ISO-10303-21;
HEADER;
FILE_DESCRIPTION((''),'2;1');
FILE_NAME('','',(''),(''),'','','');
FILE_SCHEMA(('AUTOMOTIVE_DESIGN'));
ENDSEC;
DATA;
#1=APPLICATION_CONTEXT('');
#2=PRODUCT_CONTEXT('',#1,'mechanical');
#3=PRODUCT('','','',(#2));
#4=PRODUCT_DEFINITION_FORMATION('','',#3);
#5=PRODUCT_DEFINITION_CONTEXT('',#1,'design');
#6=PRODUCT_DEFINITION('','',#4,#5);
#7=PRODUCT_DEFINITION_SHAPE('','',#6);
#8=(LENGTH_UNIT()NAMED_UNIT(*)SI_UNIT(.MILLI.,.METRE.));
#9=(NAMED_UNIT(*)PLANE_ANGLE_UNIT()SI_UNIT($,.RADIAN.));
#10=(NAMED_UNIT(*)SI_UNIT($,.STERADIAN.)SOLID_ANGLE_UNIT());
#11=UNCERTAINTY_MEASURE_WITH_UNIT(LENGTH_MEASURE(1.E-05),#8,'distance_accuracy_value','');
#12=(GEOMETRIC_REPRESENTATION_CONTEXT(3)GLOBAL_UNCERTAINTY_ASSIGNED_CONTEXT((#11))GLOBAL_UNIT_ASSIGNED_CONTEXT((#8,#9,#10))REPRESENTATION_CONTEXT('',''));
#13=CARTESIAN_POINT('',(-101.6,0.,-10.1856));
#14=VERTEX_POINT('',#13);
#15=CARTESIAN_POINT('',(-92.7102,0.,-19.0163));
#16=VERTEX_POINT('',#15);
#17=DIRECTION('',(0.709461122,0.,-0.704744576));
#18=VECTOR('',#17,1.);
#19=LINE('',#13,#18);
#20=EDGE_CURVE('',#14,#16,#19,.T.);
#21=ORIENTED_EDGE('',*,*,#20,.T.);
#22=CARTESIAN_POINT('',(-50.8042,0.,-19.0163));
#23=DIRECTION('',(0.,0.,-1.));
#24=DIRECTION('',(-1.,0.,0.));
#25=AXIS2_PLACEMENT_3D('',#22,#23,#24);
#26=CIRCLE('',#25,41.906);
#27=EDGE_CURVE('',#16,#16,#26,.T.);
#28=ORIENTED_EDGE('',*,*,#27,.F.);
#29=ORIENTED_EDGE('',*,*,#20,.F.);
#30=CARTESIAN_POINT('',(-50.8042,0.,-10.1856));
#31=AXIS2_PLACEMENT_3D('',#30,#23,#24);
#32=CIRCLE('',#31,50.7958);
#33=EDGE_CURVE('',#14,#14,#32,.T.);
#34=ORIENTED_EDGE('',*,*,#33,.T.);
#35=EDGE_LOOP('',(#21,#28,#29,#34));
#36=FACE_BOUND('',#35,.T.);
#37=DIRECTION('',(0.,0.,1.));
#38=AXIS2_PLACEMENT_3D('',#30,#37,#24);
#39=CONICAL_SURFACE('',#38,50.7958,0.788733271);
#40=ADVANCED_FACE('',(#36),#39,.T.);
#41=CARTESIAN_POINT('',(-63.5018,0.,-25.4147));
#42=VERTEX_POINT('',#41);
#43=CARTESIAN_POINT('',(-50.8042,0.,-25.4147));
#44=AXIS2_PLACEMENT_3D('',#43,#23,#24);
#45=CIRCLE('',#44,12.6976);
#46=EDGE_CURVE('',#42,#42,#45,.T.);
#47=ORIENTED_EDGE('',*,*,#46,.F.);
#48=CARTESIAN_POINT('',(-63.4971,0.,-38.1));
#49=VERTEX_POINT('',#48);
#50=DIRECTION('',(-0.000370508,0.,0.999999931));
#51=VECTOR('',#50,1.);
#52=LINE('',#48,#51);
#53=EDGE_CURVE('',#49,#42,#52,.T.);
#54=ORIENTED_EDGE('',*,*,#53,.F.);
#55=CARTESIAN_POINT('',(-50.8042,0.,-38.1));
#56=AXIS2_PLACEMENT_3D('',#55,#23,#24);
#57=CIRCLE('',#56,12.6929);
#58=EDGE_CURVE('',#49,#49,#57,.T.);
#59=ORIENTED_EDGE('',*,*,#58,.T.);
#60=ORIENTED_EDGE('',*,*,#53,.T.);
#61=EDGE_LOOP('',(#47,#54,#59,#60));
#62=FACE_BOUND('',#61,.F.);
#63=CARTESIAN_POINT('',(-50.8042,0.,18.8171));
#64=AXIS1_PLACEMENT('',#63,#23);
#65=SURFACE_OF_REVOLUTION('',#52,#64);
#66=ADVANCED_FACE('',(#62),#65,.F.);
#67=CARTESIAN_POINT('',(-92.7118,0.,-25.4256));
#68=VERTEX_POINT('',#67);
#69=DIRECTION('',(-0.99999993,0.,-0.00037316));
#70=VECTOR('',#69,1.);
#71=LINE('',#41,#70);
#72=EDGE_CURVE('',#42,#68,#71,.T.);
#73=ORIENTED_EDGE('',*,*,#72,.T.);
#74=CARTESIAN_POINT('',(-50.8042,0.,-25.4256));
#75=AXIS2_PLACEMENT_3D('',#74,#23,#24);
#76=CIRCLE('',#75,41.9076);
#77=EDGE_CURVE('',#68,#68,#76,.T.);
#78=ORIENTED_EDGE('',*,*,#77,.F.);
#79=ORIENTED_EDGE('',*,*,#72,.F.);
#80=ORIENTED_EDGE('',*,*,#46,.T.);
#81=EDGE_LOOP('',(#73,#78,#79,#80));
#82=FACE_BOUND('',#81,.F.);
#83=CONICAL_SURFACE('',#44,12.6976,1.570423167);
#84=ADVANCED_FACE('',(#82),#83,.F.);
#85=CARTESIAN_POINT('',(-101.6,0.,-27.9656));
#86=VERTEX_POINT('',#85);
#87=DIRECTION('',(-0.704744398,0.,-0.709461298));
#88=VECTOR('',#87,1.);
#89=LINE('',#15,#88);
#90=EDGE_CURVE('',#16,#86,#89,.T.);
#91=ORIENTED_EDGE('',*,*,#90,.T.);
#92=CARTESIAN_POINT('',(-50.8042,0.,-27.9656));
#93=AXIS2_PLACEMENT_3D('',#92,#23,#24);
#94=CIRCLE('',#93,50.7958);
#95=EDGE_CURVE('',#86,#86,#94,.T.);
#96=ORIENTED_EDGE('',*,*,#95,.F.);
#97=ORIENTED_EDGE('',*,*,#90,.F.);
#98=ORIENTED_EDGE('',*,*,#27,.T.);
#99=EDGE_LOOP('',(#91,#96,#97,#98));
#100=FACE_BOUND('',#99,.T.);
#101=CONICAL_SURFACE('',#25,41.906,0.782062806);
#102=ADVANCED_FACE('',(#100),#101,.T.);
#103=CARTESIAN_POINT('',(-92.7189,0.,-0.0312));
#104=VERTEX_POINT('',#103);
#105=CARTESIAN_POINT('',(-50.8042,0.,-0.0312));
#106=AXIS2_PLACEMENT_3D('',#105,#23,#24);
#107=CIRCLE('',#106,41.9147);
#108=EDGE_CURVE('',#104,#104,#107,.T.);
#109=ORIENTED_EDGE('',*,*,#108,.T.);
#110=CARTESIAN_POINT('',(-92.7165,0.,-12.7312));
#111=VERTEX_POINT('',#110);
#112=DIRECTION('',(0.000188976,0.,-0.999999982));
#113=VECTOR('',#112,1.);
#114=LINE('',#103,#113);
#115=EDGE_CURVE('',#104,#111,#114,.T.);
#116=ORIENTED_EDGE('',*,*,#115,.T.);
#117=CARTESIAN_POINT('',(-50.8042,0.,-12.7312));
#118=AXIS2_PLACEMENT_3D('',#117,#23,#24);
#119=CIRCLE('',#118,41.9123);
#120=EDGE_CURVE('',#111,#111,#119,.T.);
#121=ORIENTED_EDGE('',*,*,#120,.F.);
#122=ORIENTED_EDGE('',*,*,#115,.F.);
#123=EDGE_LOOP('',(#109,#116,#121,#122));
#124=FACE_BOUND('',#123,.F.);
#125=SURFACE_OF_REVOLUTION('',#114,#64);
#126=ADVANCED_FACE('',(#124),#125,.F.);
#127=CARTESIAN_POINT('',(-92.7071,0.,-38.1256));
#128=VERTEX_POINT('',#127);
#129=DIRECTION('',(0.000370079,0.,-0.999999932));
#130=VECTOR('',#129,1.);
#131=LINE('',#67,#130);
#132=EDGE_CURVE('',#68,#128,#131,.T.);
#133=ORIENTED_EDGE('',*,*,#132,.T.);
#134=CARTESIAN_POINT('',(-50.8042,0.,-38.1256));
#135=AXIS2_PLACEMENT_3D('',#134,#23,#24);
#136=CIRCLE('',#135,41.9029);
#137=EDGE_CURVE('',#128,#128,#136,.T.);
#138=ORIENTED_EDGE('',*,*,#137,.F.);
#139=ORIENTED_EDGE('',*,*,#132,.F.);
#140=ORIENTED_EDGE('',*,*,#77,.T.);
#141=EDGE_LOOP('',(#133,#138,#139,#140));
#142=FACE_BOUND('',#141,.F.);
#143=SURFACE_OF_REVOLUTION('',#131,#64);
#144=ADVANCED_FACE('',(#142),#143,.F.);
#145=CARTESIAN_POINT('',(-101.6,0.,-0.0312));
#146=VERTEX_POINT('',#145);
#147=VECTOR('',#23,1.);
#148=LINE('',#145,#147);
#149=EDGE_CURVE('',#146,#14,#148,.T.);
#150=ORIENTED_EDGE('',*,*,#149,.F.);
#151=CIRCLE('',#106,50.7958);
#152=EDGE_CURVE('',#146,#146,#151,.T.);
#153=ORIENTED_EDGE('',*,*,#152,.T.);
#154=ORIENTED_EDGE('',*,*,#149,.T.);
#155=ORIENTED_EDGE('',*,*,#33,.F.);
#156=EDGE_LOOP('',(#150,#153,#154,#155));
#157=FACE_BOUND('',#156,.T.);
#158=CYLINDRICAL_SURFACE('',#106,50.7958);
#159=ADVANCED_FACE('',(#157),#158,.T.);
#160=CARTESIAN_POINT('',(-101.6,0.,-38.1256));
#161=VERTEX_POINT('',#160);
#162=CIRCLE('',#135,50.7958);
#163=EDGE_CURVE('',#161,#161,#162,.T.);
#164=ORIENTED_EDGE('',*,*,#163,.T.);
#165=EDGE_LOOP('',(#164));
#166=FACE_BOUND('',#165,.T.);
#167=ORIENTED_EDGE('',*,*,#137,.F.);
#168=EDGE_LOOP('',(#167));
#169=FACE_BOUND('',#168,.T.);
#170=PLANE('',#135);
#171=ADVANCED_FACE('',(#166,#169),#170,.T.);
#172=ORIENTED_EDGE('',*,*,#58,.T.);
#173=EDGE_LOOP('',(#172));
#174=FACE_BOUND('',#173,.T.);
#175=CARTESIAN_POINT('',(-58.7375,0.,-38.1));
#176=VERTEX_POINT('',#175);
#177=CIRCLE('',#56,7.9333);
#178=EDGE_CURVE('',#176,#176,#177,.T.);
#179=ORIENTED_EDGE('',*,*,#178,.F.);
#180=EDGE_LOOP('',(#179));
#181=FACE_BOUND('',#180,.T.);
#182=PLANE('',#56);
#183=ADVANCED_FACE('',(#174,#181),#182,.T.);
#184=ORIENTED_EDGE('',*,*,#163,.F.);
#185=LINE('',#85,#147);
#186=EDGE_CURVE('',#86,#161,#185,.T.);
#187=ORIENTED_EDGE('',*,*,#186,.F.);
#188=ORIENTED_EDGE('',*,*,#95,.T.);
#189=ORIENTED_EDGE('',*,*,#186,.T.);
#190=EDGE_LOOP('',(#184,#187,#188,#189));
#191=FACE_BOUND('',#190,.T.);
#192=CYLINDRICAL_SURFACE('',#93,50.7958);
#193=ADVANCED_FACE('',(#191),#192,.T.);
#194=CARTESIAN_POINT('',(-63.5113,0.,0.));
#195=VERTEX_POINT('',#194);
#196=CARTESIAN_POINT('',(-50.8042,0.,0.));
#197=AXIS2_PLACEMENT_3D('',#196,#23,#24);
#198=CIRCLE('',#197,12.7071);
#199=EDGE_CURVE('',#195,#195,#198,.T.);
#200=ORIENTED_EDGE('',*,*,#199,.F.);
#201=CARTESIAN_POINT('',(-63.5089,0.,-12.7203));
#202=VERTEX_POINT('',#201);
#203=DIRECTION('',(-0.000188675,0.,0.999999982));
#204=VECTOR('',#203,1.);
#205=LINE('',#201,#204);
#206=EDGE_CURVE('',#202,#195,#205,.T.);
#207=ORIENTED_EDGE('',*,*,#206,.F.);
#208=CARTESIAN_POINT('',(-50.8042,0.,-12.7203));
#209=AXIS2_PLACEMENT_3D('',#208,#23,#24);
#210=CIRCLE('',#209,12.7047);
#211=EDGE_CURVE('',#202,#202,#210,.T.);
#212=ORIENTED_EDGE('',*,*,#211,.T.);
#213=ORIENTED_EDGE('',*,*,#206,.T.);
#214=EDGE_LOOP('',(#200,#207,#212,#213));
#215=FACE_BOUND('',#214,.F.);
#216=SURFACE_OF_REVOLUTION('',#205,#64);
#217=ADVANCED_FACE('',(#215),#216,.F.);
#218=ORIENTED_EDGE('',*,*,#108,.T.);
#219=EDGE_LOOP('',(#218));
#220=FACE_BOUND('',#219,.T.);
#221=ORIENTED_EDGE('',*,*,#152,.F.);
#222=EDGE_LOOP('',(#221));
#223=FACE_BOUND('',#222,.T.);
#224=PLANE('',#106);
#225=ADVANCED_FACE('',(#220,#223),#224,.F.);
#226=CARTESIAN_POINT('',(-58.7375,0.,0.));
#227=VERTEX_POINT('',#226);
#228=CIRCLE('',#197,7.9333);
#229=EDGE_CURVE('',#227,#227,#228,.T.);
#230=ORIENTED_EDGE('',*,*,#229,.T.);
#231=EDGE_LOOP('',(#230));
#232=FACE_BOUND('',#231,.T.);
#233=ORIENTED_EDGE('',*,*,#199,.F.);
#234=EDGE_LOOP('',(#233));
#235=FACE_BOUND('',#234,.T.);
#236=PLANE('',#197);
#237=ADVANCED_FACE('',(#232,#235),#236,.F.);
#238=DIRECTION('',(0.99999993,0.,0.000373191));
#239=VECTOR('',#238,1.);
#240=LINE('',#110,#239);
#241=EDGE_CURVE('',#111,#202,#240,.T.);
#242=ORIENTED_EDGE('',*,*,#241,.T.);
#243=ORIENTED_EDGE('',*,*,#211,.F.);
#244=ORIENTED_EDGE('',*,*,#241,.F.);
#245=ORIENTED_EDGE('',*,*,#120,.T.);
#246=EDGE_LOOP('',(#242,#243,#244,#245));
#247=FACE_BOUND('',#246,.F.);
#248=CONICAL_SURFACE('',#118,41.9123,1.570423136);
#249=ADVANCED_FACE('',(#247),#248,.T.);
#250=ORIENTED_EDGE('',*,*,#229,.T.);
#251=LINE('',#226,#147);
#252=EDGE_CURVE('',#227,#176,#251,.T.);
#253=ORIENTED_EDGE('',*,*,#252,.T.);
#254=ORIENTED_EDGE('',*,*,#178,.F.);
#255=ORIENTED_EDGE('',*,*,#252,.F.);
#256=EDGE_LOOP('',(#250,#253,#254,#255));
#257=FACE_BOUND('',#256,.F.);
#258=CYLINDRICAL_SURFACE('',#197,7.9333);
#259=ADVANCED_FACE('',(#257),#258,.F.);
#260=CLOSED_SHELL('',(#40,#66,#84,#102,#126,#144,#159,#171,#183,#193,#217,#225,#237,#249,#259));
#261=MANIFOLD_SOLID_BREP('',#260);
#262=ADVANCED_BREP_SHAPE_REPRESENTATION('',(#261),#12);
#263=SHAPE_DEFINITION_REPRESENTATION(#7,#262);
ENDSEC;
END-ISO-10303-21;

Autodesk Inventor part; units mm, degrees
ref_plane "YZ Plane" through (0, 0, 0) normal (1, 0, 0) x (0, 1, 0)
ref_plane "XZ Plane" through (0, 0, 0) normal (0, 1, 0) x (-1, 0, 0)
ref_plane "XY Plane" through (0, 0, 0) normal (0, 0, 1) x (1, 0, 0)
sketch "Sketch1" plane through (0, 0, 0) normal (0, 1, 0) x (-1, 0, 0)
  line L0 (58.7375, 0) -> (58.7375, -38.1)
  line L1 (63.4971, -38.1) -> (63.5018, -25.4147)
  line L2 (63.5018, -25.4147) -> (92.7118, -25.4256)
  line L3 (92.7118, -25.4256) -> (92.7071, -38.1256)
  line L4 (92.7189, -0.0312) -> (92.7165, -12.7312)
  line L5 (92.7165, -12.7312) -> (63.5089, -12.7203)
  line L6 (63.5089, -12.7203) -> (63.5113, 0)
  line L7 (101.6, -10.1856) -> (92.7102, -19.0163)
  line L8 (92.7102, -19.0163) -> (101.6, -27.9656)
  line L9 (101.6, -38.1256) -> (92.7071, -38.1256)
  line L10 (63.4971, -38.1) -> (58.7375, -38.1)
  line L11 (58.7375, 0) -> (63.5113, 0)
  line L12 (92.7189, -0.0312) -> (101.6, -0.0312)
  line L13 (101.6, -0.0312) -> (101.6, -10.1856)
  line L14 (101.6, -27.9656) -> (101.6, -38.1256)
  line L15 (50.8042, 18.8171) -> (50.8042, -69.5336)
  point P0 (0, 0)
  point P1 (50.8042, -19.04)
  dimension "d8" = 41.91
  dimension "d9" = 12.7
  dimension "d15" = 90
revolve "Revolution1" add sketch "Sketch1" angle 360 about axis through (-50.8042, 0, 18.8171) along (0, 0, -1)
properties part number "Rueda"
